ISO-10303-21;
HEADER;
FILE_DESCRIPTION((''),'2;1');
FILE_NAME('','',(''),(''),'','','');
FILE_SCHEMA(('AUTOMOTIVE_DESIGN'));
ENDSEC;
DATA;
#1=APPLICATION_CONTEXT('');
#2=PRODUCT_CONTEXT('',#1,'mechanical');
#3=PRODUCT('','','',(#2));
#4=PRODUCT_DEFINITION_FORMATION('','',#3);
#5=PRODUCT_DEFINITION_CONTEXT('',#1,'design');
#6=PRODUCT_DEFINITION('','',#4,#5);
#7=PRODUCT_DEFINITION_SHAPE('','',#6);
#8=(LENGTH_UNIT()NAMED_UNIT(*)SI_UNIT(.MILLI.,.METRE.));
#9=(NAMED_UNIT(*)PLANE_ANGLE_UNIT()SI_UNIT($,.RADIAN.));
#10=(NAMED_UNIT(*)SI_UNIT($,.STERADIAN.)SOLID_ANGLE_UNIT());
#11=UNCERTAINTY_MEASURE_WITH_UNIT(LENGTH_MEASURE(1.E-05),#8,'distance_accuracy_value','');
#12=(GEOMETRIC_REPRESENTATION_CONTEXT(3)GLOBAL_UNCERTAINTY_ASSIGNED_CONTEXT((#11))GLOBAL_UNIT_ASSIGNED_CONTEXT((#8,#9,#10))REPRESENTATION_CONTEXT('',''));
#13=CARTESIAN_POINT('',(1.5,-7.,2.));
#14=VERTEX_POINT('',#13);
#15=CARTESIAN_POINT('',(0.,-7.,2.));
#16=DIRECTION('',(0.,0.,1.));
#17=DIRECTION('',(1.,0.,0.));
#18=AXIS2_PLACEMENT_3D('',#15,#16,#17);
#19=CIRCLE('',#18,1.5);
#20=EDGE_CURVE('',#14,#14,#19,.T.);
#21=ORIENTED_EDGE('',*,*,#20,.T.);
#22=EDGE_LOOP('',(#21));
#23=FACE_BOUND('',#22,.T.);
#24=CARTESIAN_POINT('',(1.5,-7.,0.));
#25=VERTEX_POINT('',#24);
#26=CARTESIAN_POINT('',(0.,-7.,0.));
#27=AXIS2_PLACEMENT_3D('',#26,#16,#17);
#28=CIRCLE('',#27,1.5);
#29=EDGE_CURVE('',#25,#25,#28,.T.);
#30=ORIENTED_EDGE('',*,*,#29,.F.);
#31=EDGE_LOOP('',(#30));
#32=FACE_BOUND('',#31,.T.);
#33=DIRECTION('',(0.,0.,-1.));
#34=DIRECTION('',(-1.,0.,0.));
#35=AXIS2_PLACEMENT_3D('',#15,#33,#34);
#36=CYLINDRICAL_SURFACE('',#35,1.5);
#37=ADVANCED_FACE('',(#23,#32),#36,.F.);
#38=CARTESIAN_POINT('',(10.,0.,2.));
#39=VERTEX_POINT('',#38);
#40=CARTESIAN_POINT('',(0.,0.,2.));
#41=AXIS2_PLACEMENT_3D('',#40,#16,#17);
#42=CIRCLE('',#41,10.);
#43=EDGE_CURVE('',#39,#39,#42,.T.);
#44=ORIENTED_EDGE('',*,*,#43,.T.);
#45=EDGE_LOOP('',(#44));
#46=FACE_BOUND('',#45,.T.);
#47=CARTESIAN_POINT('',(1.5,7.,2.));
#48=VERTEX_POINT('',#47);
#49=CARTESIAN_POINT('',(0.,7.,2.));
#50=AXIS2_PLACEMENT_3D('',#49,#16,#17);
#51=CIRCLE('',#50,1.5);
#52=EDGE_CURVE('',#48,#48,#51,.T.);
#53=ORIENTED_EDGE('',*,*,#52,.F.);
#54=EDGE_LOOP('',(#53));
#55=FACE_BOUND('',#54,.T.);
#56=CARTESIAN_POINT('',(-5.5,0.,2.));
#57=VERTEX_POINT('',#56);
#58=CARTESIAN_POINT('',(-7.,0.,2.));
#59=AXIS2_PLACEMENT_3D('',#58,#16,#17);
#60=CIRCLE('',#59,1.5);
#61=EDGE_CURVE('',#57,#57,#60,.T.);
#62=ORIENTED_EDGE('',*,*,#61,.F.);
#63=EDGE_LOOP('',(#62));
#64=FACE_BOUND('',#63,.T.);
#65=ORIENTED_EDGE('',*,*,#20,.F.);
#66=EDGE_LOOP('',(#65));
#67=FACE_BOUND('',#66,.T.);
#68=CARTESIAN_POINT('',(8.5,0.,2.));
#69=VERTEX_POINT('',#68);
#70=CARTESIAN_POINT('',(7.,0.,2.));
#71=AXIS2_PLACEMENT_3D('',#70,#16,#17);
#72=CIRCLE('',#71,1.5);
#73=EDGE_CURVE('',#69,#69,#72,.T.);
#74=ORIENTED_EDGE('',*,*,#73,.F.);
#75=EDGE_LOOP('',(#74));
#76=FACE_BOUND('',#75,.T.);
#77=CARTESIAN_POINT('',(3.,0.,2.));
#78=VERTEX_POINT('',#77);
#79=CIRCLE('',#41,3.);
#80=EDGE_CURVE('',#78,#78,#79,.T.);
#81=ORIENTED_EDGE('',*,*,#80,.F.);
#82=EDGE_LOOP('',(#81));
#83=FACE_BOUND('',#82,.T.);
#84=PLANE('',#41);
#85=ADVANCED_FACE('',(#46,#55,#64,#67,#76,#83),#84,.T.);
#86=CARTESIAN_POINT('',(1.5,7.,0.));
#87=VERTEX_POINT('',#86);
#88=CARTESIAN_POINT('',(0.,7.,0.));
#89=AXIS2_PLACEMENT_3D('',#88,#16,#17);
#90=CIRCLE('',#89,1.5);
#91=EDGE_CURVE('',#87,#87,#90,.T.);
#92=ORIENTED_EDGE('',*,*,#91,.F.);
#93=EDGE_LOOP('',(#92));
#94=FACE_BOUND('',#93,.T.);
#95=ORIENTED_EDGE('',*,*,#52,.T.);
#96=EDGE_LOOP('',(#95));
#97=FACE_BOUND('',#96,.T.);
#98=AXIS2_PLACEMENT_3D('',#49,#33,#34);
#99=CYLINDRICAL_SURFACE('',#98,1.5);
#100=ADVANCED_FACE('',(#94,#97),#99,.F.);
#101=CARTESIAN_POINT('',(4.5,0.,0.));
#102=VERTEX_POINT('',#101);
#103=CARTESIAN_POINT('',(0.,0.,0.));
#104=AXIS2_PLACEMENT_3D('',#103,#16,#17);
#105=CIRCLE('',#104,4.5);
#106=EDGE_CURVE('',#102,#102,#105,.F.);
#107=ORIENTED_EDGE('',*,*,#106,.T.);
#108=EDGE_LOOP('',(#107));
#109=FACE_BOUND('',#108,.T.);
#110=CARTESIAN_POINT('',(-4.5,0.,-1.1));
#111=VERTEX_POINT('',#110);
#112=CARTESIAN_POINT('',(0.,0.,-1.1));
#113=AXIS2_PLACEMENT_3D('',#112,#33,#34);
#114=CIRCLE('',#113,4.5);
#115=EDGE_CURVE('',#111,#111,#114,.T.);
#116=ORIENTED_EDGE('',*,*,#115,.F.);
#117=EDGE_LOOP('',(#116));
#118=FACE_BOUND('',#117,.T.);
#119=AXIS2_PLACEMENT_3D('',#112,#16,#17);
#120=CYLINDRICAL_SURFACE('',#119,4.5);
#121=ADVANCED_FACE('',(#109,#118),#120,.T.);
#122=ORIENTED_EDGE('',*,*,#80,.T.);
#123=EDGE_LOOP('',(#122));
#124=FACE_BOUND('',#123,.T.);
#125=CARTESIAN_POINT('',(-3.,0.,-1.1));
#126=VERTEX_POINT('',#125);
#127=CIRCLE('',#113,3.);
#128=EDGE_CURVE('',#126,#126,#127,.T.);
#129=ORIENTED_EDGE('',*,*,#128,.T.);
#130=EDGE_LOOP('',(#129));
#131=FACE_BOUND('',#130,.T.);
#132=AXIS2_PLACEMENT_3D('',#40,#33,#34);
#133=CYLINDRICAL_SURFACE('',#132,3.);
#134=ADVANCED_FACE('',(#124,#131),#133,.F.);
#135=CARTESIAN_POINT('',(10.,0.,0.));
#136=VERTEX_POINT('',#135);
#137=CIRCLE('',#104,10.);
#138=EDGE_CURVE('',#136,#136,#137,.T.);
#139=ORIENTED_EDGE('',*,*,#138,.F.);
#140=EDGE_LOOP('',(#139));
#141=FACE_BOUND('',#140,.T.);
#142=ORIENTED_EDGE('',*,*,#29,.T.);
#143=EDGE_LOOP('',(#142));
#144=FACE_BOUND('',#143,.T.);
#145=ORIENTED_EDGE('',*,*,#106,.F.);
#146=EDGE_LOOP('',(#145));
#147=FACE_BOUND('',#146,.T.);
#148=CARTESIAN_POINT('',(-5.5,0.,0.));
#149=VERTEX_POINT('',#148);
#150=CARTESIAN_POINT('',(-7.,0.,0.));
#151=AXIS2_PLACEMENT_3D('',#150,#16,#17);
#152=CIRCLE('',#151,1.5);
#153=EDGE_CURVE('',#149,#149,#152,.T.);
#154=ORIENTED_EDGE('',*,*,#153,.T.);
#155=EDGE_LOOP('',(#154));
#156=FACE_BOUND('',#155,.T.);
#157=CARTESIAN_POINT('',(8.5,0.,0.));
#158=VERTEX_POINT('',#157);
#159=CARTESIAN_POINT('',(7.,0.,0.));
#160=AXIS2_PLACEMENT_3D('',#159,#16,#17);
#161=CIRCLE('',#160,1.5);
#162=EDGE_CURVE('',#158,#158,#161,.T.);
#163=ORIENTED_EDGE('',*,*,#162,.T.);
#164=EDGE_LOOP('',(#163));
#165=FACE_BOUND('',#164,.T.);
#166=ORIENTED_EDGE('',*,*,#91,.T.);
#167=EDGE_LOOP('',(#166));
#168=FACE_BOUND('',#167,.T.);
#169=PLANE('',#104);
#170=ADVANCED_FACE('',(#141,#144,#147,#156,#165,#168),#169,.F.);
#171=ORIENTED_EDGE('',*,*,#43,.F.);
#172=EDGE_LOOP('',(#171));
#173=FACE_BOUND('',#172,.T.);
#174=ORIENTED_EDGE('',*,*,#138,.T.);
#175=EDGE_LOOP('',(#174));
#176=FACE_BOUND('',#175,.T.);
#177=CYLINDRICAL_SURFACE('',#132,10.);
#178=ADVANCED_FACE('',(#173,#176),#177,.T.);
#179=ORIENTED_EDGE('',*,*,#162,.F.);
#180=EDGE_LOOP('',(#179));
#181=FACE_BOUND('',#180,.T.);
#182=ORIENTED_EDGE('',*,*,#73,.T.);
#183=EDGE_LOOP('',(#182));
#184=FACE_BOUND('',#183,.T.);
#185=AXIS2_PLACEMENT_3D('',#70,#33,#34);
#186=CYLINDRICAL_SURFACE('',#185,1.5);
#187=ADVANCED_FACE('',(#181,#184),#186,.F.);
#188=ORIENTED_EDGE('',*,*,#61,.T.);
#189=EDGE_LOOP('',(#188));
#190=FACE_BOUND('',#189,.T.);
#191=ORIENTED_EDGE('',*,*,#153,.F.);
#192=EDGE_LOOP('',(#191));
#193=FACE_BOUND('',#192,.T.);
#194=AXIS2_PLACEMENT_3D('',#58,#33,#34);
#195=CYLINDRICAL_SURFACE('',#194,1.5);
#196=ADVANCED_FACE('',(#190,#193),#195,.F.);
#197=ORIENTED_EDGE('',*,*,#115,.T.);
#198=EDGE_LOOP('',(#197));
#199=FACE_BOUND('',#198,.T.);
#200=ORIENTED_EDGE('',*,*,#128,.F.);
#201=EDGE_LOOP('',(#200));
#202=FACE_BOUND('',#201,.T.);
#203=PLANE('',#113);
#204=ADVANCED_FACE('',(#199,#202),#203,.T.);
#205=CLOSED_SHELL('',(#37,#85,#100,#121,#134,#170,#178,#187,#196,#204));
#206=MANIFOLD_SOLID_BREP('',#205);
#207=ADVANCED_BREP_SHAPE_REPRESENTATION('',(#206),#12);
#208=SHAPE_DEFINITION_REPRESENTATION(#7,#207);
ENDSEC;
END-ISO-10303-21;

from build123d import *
from build123d.topology import SkipClean

# Parameters (mm, degrees)
SKETCH_1_R      = 10
SKETCH_1_R_2    = 3
SKETCH_1_R_3    = 1.5
EXTRUDE_1_DEPTH = 2
EXTRUDE_START   = 1.1
SKETCH_2_R      = 4.5
SKETCH_2_R_2    = 3
EXTRUDE_2_DEPTH = 1.1


with BuildPart() as part:
    # ｽｹｯﾁ1 → ﾎﾞｽ - 押し出し1 (new body)
    with BuildSketch(Plane.XY):
        Circle(SKETCH_1_R)
        Circle(SKETCH_1_R_2, mode=Mode.SUBTRACT)
        with Locations((-7, 0)):
            Circle(SKETCH_1_R_3, mode=Mode.SUBTRACT)
        with Locations((7, 0)):
            Circle(SKETCH_1_R_3, mode=Mode.SUBTRACT)
        with Locations((0, 7)):
            Circle(SKETCH_1_R_3, mode=Mode.SUBTRACT)
        with Locations((0, -7)):
            Circle(SKETCH_1_R_3, mode=Mode.SUBTRACT)
    extrude(amount=EXTRUDE_1_DEPTH)

    # ｽｹｯﾁ2 → ﾎﾞｽ - 押し出し2 (add)
    with SkipClean():  # the faces are left unmerged after this step: merging them gives an invalid solid
        with BuildSketch(Plane(origin=(0, 0, 0), x_dir=(-1, 0, 0), z_dir=(0, 0, -1)).offset(EXTRUDE_START)):
            with Locations(Location((0, 0, 0), (0, 0, 180))):
                Circle(SKETCH_2_R)
            Circle(SKETCH_2_R_2, mode=Mode.SUBTRACT)
        extrude(amount=-EXTRUDE_2_DEPTH)


solid = part.part
